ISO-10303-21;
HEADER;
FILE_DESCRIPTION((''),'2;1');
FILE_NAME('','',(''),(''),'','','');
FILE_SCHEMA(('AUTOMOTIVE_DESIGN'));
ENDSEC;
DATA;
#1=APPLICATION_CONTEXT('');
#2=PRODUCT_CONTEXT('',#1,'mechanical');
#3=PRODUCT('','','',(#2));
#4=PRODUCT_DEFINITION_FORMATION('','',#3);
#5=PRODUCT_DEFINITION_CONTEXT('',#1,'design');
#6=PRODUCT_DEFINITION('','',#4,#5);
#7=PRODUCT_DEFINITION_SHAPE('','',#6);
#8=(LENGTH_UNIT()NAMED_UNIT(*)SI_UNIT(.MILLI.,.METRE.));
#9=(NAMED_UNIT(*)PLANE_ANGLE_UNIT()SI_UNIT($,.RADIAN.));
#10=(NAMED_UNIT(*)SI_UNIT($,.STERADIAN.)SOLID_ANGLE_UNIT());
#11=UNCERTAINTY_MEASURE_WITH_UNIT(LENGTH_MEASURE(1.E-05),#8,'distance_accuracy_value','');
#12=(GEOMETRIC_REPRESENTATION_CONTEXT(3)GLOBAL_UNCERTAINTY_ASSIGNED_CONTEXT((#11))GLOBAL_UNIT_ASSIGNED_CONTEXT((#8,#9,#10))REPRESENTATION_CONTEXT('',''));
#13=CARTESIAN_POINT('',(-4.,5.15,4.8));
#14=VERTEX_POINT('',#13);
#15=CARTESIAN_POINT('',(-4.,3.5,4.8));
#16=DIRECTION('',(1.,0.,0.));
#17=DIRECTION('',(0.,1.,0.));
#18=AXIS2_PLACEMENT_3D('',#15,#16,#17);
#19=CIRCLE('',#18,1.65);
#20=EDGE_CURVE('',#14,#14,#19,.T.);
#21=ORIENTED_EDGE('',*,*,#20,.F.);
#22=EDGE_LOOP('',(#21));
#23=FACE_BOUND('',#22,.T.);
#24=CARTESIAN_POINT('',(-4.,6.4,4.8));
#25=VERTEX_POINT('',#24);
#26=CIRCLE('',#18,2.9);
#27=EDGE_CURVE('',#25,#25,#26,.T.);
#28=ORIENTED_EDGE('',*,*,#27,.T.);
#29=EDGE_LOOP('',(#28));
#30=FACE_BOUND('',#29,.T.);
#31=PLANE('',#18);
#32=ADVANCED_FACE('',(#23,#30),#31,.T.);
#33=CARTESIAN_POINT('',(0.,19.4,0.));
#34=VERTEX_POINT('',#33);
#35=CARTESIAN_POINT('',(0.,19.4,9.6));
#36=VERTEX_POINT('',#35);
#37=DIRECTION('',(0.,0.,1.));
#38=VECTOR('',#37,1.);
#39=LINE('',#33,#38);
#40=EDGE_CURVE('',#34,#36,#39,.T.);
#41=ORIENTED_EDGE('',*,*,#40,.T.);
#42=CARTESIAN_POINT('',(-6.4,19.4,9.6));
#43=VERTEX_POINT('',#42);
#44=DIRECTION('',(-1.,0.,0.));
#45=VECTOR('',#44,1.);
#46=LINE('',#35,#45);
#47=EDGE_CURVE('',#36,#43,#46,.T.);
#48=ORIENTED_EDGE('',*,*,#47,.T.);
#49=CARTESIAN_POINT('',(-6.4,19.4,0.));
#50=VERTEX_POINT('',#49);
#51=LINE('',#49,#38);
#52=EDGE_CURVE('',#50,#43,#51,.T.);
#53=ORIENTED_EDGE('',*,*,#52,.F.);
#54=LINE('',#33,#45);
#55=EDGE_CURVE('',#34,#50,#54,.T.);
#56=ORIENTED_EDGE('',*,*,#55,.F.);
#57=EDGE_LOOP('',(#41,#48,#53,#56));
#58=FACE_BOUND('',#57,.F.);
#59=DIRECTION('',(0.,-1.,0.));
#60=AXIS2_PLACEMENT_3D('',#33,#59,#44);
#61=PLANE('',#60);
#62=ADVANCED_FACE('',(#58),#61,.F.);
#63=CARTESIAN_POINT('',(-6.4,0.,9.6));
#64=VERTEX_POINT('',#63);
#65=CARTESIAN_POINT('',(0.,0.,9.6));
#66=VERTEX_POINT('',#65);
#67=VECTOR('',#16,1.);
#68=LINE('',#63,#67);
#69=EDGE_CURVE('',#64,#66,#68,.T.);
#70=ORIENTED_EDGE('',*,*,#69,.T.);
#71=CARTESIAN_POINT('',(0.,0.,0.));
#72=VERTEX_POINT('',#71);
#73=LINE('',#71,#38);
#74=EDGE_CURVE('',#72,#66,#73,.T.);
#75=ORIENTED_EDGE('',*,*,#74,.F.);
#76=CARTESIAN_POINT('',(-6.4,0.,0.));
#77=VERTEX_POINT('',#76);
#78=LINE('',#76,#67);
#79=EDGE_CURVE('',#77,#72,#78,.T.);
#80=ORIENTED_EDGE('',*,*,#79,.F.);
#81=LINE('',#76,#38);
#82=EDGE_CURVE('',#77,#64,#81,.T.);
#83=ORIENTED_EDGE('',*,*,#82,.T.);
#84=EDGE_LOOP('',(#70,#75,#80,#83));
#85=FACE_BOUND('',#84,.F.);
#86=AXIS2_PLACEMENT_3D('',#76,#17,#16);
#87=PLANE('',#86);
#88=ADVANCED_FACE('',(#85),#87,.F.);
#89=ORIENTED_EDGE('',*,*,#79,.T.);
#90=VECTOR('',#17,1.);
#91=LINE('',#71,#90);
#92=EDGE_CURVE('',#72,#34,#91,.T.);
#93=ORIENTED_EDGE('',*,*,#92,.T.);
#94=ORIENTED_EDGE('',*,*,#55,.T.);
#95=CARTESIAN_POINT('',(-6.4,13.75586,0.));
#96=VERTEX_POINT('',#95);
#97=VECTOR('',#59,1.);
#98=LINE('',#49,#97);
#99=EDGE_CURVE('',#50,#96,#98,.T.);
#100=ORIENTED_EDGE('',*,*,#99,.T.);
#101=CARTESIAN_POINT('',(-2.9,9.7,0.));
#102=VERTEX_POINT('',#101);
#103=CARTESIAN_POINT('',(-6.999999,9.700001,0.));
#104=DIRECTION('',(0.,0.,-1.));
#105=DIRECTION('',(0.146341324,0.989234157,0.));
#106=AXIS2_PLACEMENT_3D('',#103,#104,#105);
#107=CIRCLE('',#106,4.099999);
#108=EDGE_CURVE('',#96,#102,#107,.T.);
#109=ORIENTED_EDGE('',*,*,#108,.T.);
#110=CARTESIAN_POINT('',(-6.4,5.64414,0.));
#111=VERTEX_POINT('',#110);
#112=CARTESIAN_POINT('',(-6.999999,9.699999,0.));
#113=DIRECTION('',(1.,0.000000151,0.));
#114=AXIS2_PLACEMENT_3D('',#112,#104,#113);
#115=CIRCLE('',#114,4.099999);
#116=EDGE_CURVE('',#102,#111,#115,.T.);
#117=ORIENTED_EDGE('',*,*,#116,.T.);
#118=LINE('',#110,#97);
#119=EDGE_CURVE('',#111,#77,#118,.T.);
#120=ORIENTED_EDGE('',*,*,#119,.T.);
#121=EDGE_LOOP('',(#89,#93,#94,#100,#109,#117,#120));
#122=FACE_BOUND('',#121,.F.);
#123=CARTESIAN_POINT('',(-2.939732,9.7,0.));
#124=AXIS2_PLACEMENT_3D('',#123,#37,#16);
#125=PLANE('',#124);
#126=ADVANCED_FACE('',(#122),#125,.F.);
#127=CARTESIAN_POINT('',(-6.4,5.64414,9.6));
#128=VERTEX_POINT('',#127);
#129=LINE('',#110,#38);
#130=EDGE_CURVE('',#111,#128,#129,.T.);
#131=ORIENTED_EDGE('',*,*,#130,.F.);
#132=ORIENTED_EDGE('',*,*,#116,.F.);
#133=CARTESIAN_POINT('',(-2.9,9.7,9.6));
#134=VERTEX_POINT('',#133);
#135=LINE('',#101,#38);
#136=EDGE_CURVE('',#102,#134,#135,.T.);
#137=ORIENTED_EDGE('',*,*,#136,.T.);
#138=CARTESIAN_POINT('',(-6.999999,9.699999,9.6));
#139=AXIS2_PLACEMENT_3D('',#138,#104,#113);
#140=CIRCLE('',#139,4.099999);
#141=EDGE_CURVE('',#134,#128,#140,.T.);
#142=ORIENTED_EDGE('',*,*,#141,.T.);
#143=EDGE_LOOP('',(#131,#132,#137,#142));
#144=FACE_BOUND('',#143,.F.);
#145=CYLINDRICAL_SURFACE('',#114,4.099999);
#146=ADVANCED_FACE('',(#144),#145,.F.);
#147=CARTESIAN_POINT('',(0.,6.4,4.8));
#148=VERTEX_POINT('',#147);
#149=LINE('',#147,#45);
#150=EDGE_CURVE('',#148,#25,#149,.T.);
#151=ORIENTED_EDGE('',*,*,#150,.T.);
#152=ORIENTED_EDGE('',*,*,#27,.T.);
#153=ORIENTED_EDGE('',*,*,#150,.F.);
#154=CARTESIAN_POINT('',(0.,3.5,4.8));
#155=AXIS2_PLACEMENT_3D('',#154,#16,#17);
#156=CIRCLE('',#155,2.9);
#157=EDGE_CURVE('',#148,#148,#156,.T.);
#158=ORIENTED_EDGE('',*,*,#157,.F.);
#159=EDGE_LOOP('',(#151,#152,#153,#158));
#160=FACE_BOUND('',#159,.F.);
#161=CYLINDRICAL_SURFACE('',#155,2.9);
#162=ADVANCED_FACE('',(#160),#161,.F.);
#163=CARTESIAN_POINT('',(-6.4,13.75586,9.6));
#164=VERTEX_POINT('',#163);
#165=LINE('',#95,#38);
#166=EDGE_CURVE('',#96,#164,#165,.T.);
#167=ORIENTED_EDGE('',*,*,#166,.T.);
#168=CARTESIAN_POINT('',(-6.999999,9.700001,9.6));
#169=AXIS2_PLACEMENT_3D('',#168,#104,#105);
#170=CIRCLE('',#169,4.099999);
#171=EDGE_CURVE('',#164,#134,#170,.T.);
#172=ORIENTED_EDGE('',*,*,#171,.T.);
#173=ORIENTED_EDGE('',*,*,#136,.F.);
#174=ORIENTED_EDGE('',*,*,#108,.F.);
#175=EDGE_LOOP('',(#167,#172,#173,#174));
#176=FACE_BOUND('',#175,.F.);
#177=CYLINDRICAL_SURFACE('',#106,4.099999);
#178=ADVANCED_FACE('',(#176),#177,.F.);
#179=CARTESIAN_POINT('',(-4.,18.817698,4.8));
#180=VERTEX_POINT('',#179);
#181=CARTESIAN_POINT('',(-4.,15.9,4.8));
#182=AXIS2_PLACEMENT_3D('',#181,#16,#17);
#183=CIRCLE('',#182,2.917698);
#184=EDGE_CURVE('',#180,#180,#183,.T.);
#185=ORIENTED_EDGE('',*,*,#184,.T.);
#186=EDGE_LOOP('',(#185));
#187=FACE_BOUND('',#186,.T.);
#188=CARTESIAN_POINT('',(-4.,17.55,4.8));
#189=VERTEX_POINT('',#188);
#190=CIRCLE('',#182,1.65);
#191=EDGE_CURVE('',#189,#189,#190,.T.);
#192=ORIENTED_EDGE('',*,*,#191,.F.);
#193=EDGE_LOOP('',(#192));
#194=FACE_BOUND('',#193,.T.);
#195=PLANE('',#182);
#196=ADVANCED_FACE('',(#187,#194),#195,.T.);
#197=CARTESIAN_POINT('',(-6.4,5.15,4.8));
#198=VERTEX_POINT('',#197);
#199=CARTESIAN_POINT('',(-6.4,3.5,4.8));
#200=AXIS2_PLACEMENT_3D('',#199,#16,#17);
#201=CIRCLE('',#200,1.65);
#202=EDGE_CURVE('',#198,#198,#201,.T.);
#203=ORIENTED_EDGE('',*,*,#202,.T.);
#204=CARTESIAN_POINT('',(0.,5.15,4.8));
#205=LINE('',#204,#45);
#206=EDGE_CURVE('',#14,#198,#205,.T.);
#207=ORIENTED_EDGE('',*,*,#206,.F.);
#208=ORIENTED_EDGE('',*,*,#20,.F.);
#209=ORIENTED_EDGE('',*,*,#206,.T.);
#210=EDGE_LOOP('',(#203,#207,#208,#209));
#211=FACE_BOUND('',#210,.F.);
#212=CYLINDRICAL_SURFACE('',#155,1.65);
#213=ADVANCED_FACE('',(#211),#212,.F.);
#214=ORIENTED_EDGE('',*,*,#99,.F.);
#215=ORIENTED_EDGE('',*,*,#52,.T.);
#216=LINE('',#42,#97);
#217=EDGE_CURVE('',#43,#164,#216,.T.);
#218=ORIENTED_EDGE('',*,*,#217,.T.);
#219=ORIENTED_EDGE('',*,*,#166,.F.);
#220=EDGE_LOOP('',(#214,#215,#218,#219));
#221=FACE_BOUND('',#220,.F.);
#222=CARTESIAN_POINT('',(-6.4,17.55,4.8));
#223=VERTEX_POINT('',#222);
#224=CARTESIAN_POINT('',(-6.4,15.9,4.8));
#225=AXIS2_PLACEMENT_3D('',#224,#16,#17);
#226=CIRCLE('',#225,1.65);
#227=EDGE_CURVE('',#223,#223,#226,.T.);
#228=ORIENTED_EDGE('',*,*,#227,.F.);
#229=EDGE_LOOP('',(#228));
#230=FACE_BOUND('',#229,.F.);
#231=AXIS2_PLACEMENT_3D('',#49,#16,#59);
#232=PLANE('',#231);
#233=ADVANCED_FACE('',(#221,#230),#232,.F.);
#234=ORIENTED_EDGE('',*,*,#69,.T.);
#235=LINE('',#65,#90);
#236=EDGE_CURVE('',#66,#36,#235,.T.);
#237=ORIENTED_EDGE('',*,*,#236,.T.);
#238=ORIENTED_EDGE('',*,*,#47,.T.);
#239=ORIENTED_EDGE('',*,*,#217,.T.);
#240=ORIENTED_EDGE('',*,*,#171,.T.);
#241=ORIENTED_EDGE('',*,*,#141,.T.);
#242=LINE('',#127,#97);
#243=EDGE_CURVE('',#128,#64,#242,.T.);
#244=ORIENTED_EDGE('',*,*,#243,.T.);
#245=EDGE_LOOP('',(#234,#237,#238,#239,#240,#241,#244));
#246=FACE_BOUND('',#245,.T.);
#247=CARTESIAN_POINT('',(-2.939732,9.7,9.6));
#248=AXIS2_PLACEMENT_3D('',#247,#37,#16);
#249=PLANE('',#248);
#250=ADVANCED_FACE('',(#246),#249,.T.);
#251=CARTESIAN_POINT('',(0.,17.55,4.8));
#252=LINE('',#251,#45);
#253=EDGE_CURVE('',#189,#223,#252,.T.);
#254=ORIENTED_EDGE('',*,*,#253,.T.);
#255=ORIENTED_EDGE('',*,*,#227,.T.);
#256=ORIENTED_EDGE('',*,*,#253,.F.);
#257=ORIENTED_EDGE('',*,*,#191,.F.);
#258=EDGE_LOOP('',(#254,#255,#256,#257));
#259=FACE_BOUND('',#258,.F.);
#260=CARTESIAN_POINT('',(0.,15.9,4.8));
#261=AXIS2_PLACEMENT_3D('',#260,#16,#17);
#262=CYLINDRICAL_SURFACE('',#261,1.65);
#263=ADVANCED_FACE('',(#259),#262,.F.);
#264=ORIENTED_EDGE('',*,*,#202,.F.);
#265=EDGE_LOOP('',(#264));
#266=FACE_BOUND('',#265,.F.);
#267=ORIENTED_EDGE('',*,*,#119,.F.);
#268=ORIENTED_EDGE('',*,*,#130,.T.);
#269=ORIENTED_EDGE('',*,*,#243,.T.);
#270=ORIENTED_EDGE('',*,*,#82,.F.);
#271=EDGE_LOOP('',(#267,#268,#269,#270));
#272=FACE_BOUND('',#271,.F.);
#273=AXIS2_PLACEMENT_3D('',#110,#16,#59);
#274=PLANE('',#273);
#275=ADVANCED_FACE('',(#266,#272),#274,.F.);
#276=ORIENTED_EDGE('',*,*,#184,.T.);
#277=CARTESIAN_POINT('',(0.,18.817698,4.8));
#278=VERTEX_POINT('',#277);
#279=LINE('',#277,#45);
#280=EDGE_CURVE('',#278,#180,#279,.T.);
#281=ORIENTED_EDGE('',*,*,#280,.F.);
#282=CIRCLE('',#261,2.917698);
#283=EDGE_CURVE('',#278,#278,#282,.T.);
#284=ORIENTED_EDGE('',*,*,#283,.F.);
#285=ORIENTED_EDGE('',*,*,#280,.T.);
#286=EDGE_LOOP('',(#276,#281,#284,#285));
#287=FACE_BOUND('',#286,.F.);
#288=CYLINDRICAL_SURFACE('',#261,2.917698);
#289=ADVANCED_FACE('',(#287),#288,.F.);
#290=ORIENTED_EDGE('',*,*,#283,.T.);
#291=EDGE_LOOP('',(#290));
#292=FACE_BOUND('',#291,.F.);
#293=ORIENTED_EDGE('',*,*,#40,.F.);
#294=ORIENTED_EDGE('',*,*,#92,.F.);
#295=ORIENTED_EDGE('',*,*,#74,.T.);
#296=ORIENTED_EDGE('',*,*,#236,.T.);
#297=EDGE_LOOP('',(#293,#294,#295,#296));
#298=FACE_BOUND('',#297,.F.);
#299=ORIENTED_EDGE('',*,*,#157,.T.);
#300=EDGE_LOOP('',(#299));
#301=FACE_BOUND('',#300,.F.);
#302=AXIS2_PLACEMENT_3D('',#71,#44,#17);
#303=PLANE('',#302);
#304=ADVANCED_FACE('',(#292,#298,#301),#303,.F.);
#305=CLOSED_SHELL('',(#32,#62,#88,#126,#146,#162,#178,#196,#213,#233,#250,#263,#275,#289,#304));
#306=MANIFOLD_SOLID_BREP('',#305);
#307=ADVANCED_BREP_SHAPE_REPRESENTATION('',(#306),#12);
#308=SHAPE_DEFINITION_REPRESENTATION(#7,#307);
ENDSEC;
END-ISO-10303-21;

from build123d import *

# Parameters (mm, degrees)
F1_DEPTH = 9.6
F2_R     = 1.65
F3_DEPTH = 25
F2_R_2   = 2.9
F2_R_3   = 2.917698
F4_DEPTH = 4


with BuildPart() as f1:
    # F0 (on Top) → F1 (new body)
    with BuildSketch(Plane.XY):
        with BuildLine():
            ThreePointArc((-6.4, 13.75586), (-3.89597, 12.378619), (-2.9, 9.7))
            ThreePointArc((-2.9, 9.7), (-3.89597, 7.021381), (-6.4, 5.64414))
            Line((-6.4, 5.64414), (-6.4, 0))
            Line((-6.4, 0), (0, 0))
            Line((0, 0), (0, 19.4))
            Line((0, 19.4), (-6.4, 19.4))
            Line((-6.4, 19.4), (-6.4, 13.75586))
        make_face()
    extrude(amount=F1_DEPTH)

    # F2 (on Right) → F3 (cut)
    with BuildSketch(Plane.YZ):
        with Locations((3.5, 4.8)):
            Circle(F2_R)
        with Locations((15.9, 4.8)):
            Circle(F2_R)
    extrude(amount=-F3_DEPTH, mode=Mode.SUBTRACT)

    # F2 (on Right) → F4 (cut)
    with BuildSketch(Plane.YZ):
        with Locations((3.5, 4.8)):
            Circle(F2_R_2)
        with Locations((3.5, 4.8)):
            Circle(F2_R, mode=Mode.SUBTRACT)
        with Locations((15.9, 4.8)):
            Circle(F2_R_3)
        with Locations((15.9, 4.8)):
            Circle(F2_R, mode=Mode.SUBTRACT)
    extrude(amount=-F4_DEPTH, mode=Mode.SUBTRACT)


solid = f1.part
